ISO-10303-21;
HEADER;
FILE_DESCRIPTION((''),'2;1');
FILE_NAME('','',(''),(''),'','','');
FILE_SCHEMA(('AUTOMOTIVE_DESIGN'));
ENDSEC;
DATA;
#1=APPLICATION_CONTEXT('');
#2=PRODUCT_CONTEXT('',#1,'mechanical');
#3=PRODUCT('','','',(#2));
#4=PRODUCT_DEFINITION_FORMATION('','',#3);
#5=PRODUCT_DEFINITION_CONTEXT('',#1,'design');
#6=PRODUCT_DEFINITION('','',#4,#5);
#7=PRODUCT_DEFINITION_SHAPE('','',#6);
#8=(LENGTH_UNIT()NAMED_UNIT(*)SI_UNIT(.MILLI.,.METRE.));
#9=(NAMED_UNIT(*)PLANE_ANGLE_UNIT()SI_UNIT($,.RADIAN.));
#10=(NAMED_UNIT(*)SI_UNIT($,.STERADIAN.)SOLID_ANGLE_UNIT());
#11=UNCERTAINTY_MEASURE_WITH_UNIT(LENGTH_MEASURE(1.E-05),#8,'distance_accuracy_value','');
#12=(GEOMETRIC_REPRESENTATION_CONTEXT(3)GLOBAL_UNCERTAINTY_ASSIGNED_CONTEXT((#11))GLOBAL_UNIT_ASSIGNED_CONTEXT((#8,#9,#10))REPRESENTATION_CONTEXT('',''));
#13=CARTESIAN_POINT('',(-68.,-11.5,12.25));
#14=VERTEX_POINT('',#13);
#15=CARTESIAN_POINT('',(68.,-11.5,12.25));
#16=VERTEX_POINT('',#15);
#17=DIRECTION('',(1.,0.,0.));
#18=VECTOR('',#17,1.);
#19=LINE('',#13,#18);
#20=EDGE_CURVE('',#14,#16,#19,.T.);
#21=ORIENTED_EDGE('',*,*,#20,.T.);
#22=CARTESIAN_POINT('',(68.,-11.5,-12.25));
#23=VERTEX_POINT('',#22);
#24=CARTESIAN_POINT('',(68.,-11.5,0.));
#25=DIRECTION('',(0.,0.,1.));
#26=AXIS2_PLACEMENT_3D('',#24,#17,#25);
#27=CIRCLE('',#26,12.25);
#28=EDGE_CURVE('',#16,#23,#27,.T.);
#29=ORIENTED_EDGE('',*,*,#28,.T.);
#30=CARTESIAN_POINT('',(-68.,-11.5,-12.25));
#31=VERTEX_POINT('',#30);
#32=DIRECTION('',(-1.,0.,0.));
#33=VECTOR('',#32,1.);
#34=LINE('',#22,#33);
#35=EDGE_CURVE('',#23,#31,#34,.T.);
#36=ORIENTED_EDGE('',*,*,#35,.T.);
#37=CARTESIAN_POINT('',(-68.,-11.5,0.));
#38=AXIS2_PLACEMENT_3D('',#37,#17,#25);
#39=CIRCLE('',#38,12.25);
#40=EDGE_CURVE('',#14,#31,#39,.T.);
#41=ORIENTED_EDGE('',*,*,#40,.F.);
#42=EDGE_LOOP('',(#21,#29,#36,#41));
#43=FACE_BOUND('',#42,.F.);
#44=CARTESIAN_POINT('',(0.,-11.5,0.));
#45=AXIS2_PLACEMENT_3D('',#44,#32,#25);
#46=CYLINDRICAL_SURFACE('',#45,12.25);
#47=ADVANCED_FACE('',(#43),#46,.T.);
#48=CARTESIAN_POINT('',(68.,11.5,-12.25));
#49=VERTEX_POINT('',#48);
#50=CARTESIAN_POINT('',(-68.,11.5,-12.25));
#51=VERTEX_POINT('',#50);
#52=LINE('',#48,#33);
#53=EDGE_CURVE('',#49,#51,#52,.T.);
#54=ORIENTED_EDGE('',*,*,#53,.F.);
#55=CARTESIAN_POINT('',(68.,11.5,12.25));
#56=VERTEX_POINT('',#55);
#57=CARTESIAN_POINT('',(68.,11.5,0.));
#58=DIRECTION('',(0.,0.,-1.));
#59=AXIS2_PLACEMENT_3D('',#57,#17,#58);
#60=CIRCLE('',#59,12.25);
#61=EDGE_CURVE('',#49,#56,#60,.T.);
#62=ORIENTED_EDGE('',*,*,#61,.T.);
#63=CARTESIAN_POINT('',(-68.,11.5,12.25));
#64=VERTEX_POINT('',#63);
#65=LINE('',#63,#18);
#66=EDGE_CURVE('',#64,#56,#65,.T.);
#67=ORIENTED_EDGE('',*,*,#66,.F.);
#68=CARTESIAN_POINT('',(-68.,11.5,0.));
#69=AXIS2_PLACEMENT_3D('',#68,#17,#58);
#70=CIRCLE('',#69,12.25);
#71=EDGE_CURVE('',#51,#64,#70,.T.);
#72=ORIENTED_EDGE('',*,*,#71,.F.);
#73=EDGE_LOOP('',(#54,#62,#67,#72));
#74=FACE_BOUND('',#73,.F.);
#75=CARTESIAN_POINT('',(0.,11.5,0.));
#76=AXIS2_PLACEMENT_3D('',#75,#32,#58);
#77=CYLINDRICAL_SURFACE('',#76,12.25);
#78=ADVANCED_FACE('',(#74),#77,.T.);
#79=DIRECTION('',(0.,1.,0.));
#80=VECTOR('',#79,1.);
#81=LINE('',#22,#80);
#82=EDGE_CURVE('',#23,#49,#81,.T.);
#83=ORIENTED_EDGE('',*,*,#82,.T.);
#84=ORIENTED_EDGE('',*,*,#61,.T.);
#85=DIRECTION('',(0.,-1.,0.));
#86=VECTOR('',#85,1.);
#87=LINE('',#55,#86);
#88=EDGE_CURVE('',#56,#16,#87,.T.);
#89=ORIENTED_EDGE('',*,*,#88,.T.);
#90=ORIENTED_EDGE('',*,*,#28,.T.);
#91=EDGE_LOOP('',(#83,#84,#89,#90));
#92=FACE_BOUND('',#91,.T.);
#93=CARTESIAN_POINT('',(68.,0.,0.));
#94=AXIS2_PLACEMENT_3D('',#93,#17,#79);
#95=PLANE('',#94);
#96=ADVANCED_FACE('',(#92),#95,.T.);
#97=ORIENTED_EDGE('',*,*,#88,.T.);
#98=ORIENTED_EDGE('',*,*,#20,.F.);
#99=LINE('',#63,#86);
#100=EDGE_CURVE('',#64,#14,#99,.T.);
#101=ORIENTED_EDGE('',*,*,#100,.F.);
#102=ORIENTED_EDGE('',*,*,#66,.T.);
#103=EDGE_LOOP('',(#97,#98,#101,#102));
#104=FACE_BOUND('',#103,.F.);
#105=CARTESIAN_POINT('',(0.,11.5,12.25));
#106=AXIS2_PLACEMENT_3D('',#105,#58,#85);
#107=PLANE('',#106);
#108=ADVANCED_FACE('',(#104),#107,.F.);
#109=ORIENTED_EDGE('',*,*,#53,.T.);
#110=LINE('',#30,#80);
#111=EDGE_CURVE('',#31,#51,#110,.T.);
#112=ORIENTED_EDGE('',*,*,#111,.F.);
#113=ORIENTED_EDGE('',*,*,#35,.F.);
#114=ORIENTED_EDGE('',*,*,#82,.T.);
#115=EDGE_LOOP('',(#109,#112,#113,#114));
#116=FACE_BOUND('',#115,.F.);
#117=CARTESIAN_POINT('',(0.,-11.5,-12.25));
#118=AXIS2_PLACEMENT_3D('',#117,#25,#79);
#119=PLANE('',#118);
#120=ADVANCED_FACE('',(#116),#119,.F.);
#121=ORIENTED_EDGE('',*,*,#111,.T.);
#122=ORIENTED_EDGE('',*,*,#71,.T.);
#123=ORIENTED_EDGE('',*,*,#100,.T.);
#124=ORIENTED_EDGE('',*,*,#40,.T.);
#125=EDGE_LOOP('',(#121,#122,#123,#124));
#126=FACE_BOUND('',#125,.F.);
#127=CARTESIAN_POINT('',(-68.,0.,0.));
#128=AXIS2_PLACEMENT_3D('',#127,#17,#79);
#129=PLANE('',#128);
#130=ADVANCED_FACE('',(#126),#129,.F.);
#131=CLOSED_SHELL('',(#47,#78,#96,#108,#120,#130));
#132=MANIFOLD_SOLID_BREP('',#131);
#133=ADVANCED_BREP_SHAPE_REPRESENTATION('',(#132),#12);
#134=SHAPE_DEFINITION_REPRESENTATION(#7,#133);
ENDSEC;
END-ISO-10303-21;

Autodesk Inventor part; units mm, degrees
ref_plane "YZ Plane" through (0, 0, 0) normal (1, 0, 0) x (0, 1, 0)
ref_plane "XZ Plane" through (0, 0, 0) normal (0, 1, 0) x (-1, 0, 0)
ref_plane "XY Plane" through (0, 0, 0) normal (0, 0, 1) x (1, 0, 0)
sketch "スケッチ1" plane through (0, 0, 0) normal (1, 0, 0) x (0, 1, 0)
  line L0 (11.5, 0) -> (-11.5, 0) construction
  line L1 (11.5, 12.25) -> (-11.5, 12.25)
  line L2 (-11.5, -12.25) -> (11.5, -12.25)
  arc A0 (11.5, -12.25) -> (11.5, 12.25) centre (11.5, 0) ccw
  arc A1 (-11.5, 12.25) -> (-11.5, -12.25) centre (-11.5, 0) ccw
  point P0 (0, 0)
  point P1 (0, 0)
  point P2 (23.75, 0)
  point P3 (-23.75, 0)
  dimension "d0" = 24.5
  dimension "d1" = 47.5
extrude "押し出し1" add sketch "スケッチ1" along normal mid plane 136
properties part number "battery"
